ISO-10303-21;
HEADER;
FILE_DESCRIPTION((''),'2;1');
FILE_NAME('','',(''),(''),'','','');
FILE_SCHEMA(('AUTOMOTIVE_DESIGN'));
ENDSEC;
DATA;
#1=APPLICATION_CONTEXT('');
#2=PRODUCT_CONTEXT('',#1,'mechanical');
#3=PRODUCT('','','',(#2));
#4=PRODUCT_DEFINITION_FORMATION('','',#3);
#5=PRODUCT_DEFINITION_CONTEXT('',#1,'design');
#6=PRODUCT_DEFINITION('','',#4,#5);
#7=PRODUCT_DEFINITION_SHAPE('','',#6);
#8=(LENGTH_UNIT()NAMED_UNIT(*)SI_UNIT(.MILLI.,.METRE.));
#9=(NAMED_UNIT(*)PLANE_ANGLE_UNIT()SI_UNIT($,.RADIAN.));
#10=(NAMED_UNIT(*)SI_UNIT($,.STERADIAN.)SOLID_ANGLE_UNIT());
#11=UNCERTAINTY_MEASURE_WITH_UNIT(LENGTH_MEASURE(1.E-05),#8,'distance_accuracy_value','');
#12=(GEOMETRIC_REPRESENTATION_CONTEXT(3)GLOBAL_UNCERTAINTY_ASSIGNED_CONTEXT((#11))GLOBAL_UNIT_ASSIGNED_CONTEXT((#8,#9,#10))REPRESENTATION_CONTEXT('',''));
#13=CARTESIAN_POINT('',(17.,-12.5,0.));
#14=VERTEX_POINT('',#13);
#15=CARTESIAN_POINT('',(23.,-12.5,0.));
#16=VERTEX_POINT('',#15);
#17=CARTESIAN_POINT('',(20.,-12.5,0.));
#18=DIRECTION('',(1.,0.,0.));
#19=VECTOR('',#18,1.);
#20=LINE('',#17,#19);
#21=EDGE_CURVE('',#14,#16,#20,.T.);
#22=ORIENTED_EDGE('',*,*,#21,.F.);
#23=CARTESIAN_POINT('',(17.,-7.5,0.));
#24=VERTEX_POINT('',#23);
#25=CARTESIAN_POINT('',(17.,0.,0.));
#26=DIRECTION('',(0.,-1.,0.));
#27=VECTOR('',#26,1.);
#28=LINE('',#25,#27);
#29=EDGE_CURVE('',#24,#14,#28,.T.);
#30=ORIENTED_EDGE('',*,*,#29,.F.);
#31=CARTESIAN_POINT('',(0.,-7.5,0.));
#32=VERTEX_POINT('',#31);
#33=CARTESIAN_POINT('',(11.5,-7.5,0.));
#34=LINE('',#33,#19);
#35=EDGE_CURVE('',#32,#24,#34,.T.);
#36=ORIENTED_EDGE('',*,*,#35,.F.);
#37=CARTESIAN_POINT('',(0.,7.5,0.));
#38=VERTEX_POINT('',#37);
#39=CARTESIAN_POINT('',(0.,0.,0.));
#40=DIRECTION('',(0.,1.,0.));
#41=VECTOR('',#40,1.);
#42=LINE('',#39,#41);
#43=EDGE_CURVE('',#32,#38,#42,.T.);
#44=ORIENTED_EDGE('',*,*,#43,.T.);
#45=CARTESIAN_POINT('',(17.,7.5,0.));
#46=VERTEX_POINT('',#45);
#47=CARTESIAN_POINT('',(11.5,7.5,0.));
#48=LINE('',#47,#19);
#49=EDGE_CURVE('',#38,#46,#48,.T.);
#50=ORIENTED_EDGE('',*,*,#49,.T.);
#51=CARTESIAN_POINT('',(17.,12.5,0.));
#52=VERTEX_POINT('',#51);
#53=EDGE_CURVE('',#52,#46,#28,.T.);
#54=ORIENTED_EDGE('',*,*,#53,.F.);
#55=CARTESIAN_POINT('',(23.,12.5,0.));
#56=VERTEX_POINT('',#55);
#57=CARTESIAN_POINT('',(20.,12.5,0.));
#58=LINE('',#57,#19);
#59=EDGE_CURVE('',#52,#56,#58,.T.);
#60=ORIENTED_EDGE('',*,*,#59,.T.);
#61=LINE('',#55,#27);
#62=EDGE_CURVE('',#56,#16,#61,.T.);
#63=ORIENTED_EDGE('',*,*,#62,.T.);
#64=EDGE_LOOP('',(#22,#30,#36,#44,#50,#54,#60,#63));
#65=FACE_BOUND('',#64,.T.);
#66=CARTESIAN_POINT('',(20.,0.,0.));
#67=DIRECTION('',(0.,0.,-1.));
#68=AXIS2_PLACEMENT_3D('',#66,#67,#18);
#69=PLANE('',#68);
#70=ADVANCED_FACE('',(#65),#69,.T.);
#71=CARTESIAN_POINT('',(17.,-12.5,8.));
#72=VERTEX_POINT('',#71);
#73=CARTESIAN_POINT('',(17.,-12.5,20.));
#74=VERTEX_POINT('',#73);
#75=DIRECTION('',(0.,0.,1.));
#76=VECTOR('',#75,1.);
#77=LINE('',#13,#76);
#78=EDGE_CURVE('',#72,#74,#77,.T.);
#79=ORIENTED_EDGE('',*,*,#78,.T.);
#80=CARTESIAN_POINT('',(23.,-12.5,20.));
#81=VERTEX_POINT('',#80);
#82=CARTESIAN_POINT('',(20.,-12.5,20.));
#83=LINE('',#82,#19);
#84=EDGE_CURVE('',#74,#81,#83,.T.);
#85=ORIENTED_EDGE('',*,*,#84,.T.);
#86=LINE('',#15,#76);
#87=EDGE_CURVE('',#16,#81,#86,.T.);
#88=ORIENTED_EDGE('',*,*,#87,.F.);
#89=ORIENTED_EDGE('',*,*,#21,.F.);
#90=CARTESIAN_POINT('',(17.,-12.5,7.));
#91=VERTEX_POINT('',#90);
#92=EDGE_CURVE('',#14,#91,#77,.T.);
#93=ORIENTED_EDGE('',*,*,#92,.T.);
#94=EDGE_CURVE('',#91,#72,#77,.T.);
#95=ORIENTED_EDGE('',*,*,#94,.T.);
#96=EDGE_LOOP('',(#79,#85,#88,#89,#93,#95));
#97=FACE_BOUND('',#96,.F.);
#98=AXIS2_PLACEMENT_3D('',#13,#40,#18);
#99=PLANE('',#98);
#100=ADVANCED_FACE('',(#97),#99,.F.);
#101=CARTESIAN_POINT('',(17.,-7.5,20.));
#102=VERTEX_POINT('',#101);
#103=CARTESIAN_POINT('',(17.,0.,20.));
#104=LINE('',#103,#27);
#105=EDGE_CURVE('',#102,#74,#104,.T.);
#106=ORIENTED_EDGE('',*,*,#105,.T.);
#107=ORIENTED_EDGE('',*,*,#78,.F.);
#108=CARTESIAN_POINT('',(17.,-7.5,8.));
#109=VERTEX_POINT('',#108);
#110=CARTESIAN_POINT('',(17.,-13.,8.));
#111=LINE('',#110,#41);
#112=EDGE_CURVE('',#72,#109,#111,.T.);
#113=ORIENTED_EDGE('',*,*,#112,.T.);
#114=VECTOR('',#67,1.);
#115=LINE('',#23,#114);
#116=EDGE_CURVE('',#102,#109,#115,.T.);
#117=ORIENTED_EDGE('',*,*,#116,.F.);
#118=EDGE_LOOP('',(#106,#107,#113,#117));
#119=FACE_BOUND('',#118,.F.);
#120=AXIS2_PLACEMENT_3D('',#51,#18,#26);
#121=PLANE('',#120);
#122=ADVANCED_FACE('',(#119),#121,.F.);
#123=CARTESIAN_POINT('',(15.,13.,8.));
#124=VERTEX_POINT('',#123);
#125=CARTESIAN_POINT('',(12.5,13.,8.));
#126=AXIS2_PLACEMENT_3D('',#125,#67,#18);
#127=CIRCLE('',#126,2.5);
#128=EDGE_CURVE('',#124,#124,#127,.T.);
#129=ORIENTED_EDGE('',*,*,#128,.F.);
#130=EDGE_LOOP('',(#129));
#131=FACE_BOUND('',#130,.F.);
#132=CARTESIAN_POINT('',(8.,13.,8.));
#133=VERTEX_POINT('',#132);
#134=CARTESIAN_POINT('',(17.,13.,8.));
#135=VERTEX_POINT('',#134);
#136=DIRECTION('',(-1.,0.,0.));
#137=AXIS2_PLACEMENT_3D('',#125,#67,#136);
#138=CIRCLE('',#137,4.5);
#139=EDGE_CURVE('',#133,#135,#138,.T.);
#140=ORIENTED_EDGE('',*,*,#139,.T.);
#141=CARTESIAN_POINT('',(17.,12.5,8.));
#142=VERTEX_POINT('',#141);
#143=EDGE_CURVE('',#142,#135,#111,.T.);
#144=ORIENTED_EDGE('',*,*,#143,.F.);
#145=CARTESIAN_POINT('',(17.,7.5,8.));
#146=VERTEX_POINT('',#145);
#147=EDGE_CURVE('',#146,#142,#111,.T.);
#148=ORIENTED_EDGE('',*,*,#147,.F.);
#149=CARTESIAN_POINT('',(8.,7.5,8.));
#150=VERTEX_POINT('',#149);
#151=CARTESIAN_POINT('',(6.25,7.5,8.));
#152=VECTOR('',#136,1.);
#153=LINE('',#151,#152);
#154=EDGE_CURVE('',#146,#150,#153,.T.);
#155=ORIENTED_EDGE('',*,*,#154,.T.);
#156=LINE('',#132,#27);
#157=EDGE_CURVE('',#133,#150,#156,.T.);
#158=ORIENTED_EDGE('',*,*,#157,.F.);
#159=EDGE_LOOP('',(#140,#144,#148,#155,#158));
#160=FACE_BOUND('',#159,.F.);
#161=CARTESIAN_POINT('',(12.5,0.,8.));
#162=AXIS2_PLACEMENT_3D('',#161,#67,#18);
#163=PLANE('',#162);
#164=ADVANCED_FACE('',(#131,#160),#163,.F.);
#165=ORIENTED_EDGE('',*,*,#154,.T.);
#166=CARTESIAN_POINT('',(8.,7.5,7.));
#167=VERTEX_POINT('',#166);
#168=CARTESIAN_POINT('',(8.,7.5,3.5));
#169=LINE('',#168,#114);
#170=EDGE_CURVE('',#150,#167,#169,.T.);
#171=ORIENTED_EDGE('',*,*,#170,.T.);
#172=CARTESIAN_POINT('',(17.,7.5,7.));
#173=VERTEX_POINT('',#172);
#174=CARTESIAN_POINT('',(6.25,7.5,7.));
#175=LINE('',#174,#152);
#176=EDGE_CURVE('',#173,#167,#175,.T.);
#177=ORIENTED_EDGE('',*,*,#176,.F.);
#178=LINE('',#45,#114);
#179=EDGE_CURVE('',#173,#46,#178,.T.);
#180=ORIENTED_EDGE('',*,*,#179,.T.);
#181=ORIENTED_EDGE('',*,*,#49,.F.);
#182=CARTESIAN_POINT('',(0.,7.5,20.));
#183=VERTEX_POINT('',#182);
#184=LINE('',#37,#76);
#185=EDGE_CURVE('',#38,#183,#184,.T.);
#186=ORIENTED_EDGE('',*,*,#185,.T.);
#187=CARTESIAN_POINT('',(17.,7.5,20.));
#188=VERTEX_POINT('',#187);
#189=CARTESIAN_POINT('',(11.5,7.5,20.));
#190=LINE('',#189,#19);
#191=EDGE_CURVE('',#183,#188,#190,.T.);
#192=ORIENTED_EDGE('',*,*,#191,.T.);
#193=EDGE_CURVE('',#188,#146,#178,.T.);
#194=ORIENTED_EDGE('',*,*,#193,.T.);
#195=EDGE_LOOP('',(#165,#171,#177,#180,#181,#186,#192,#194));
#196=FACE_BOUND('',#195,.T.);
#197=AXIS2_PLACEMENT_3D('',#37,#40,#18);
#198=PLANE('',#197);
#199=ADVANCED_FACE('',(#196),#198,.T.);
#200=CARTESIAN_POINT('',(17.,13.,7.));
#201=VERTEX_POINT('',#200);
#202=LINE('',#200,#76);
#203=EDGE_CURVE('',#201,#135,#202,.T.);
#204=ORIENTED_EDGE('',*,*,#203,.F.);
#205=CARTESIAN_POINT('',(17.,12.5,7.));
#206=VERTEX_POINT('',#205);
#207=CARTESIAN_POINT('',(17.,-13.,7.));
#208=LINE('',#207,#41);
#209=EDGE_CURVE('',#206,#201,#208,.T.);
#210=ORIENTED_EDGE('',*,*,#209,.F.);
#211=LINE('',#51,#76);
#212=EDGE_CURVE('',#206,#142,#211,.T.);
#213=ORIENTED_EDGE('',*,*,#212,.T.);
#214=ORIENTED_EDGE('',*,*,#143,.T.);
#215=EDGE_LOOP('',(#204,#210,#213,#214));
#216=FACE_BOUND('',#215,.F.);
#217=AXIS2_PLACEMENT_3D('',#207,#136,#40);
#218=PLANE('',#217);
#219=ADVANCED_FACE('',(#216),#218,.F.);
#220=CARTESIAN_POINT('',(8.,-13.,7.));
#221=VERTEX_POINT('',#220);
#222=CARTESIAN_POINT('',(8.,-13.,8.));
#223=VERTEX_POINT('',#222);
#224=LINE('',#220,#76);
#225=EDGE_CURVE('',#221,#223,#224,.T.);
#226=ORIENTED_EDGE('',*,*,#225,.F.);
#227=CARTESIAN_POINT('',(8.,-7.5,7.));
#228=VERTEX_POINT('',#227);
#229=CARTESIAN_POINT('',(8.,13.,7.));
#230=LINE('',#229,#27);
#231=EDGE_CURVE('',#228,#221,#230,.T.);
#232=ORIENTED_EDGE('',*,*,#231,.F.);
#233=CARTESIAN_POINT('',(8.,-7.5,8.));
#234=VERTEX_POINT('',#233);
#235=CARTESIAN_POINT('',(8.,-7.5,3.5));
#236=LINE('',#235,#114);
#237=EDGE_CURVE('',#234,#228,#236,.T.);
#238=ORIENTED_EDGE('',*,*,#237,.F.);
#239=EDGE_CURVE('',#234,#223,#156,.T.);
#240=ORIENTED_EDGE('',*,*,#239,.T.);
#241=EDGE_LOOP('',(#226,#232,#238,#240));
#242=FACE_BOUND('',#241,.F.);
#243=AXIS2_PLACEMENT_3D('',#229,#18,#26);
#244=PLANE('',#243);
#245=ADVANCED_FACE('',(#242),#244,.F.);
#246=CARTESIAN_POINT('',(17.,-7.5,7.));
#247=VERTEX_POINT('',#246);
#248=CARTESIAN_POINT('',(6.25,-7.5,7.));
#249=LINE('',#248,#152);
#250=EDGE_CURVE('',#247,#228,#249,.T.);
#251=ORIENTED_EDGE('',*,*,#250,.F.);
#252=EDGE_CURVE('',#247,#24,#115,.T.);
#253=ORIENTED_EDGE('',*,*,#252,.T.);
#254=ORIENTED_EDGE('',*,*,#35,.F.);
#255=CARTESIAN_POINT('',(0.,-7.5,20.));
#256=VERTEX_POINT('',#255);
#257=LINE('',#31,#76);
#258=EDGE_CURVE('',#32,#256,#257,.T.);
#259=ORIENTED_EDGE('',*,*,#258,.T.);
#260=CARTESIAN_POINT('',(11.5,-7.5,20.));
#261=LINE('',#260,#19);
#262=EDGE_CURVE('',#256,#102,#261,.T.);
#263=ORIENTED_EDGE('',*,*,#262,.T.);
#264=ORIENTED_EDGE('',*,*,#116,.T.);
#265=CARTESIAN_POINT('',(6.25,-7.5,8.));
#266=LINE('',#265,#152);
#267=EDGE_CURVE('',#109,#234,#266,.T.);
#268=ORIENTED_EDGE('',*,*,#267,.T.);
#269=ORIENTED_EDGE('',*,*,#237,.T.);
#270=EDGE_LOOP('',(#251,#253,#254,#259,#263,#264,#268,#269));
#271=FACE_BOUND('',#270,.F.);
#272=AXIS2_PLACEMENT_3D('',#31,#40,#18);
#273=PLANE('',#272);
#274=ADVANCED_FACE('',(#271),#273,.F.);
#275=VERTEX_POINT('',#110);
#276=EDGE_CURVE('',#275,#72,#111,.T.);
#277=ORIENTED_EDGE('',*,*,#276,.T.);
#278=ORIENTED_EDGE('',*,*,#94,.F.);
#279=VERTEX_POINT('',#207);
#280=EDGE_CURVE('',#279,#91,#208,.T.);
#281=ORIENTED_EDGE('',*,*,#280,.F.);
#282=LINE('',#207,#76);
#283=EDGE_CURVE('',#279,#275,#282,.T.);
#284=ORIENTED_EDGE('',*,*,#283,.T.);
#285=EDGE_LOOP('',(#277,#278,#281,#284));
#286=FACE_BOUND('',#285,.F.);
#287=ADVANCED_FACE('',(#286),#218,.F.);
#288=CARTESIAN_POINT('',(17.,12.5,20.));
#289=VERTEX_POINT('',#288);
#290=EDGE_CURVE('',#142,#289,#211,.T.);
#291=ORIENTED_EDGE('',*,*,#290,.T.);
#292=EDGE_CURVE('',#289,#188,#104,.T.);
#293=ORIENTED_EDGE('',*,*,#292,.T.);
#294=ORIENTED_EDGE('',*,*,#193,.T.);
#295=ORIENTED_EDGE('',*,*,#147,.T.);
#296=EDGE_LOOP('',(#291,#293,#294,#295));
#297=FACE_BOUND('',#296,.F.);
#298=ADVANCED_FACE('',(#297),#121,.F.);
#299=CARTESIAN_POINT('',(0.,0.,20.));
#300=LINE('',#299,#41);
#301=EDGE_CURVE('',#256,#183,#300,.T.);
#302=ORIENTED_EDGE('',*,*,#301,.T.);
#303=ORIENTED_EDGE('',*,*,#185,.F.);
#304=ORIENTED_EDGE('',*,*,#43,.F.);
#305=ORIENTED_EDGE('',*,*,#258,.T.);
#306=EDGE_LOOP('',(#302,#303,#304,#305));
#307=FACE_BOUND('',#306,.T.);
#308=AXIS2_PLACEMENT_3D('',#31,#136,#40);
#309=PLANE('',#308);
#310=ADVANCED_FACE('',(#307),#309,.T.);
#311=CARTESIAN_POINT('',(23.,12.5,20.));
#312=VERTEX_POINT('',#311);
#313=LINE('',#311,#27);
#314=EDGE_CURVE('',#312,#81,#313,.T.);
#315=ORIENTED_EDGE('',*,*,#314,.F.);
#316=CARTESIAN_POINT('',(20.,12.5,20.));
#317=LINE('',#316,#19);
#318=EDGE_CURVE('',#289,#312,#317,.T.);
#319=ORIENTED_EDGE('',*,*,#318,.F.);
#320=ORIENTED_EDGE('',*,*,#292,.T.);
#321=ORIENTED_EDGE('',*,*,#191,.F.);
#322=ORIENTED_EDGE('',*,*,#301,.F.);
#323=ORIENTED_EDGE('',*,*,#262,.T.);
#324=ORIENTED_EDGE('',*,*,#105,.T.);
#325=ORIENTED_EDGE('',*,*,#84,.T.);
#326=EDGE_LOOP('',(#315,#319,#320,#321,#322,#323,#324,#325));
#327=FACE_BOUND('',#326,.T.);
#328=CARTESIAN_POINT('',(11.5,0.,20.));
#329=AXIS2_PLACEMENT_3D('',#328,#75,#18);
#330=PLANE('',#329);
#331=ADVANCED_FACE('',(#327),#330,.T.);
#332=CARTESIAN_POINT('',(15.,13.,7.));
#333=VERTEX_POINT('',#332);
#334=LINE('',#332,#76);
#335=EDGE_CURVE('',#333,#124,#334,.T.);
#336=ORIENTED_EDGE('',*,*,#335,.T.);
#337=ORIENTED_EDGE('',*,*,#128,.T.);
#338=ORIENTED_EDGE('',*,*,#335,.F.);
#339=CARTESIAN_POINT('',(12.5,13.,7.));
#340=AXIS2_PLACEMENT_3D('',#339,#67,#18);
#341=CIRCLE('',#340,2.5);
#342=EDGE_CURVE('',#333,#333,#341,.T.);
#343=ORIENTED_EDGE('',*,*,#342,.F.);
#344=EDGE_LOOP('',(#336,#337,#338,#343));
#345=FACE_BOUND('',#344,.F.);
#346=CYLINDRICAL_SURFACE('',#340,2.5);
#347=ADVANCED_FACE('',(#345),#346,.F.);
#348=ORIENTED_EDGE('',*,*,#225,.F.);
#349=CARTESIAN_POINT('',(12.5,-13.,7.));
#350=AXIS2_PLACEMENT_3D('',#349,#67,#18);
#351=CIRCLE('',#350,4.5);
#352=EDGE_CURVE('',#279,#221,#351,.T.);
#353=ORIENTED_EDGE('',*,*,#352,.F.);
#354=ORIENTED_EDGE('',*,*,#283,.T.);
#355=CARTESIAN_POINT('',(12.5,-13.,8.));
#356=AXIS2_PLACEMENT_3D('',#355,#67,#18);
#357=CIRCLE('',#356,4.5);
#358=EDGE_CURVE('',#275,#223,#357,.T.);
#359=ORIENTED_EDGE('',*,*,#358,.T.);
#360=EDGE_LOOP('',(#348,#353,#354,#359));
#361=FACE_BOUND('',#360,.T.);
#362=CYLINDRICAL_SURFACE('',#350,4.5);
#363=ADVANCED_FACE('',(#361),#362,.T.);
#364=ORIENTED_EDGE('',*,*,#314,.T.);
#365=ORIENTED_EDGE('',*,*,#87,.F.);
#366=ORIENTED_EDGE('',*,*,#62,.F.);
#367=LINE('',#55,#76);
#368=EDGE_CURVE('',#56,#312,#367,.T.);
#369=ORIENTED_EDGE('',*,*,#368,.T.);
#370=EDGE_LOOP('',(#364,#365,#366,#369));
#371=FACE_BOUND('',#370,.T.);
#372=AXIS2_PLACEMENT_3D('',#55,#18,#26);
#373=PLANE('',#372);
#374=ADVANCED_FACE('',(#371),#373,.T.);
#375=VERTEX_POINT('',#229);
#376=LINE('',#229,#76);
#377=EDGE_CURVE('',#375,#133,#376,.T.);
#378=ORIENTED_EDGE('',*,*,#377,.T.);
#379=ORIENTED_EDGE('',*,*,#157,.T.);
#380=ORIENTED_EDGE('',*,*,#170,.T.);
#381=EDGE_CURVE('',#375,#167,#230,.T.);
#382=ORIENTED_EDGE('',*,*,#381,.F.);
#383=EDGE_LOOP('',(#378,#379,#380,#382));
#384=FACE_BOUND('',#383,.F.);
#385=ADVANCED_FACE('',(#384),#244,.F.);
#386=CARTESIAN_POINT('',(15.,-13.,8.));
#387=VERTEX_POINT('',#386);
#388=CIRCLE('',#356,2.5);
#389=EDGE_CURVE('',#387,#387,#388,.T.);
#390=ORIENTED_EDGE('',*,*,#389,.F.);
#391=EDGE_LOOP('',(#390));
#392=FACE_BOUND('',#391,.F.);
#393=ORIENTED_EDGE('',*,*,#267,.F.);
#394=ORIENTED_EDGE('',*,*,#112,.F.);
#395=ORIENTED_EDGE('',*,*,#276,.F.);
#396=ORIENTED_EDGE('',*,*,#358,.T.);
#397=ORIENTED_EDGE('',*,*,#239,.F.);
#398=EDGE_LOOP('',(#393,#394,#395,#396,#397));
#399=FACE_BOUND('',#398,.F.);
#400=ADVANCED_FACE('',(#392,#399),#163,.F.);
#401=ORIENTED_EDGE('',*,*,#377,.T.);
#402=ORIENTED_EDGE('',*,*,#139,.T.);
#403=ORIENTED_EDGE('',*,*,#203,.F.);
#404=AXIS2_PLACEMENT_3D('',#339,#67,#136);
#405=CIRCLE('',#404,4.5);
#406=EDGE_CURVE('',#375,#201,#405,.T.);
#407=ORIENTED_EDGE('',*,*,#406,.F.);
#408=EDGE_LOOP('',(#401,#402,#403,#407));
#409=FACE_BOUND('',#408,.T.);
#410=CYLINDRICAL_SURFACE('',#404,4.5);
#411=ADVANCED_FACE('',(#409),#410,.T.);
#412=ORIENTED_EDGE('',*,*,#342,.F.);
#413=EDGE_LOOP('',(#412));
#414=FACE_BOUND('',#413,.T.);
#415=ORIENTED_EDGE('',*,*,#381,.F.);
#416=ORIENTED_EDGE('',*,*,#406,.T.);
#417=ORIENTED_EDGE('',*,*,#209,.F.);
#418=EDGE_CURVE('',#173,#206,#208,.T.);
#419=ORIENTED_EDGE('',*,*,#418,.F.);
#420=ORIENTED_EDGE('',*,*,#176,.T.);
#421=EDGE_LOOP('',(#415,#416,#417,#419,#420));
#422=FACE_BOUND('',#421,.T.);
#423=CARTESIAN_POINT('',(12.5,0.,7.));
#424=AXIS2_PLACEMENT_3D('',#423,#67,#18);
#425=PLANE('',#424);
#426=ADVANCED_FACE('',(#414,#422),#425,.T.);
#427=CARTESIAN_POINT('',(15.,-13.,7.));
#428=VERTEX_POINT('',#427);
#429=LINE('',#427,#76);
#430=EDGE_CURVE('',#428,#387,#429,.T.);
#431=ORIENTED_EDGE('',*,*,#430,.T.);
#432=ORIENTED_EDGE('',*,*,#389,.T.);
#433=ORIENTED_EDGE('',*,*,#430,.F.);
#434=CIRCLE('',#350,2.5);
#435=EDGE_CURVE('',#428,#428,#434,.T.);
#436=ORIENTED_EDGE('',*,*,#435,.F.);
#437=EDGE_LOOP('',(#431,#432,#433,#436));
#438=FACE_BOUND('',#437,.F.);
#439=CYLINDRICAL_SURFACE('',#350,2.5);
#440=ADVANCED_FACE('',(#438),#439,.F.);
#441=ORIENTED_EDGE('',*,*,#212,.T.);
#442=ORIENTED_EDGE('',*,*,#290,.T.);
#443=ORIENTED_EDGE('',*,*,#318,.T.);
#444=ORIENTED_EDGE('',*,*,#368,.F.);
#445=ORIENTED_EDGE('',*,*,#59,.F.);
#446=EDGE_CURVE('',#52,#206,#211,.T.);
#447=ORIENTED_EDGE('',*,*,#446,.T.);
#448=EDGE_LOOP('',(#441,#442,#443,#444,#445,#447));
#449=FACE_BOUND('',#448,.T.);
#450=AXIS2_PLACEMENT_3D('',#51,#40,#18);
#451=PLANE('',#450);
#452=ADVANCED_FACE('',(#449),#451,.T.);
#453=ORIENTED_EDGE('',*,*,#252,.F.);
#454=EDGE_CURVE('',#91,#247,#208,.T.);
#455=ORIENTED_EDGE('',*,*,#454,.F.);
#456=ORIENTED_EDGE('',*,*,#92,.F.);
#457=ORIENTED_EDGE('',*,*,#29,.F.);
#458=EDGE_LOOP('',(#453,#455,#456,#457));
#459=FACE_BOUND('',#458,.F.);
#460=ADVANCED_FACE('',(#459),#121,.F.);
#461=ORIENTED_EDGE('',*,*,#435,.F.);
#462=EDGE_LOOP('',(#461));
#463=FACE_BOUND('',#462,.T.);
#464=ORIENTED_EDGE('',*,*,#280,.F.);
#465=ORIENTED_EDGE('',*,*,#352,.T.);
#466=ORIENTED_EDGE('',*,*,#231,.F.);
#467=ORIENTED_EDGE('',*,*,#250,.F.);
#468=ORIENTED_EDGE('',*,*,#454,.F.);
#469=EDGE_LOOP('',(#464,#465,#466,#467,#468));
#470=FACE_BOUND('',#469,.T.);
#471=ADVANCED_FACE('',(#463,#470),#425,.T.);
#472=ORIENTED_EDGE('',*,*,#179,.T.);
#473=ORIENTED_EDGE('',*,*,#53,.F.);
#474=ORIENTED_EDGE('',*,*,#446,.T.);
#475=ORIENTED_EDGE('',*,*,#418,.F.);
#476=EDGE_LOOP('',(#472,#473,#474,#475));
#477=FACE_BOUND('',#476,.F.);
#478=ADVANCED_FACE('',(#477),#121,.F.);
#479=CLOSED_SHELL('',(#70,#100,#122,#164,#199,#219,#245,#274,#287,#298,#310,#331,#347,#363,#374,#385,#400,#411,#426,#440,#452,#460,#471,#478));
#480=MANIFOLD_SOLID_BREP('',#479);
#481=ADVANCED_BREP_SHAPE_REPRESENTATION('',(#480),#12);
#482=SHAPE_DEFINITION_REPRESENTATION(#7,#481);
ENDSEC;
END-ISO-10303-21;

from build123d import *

# Parameters (mm, degrees)
SKETCH_W     = 23
SKETCH_H     = 15
PAD_DEPTH    = 20
SKETCH001_R  = 2.5
PAD001_DEPTH = 1
SKETCH002_W  = 6
SKETCH002_H  = 25
PAD002_DEPTH = 20


with BuildPart() as part:
    # Sketch → Pad (new body)
    with BuildSketch(Plane.XY):
        with Locations((11.5, 0)):
            Rectangle(SKETCH_W, SKETCH_H)
    extrude(amount=PAD_DEPTH)

    # Sketch001 (on Face5 of Pad) → Pad001 (join)
    with BuildSketch(Plane(origin=(0, 0, 7), x_dir=(1, 0, 0), z_dir=(0, 0, -1))):
        with BuildLine():
            ThreePointArc((8, -13), (12.5, -17.5), (17, -13))
            Line((17, 13), (17, -13))
            ThreePointArc((17, 13), (12.5, 17.5), (8, 13))
            Line((8, -13), (8, 13))
        make_face()
        with Locations((12.5, -13)):
            Circle(SKETCH001_R, mode=Mode.SUBTRACT)
        with Locations((12.5, 13)):
            Circle(SKETCH001_R, mode=Mode.SUBTRACT)
    extrude(amount=-PAD001_DEPTH)

    # Sketch002 (on Face3 of Pad001) → Pad002 (join)
    with BuildSketch(Plane(origin=(0, 0, 0), x_dir=(1, 0, 0), z_dir=(0, 0, -1))):
        with Locations((20, 0)):
            Rectangle(SKETCH002_W, SKETCH002_H)
    extrude(amount=-PAD002_DEPTH)


solid = part.part
